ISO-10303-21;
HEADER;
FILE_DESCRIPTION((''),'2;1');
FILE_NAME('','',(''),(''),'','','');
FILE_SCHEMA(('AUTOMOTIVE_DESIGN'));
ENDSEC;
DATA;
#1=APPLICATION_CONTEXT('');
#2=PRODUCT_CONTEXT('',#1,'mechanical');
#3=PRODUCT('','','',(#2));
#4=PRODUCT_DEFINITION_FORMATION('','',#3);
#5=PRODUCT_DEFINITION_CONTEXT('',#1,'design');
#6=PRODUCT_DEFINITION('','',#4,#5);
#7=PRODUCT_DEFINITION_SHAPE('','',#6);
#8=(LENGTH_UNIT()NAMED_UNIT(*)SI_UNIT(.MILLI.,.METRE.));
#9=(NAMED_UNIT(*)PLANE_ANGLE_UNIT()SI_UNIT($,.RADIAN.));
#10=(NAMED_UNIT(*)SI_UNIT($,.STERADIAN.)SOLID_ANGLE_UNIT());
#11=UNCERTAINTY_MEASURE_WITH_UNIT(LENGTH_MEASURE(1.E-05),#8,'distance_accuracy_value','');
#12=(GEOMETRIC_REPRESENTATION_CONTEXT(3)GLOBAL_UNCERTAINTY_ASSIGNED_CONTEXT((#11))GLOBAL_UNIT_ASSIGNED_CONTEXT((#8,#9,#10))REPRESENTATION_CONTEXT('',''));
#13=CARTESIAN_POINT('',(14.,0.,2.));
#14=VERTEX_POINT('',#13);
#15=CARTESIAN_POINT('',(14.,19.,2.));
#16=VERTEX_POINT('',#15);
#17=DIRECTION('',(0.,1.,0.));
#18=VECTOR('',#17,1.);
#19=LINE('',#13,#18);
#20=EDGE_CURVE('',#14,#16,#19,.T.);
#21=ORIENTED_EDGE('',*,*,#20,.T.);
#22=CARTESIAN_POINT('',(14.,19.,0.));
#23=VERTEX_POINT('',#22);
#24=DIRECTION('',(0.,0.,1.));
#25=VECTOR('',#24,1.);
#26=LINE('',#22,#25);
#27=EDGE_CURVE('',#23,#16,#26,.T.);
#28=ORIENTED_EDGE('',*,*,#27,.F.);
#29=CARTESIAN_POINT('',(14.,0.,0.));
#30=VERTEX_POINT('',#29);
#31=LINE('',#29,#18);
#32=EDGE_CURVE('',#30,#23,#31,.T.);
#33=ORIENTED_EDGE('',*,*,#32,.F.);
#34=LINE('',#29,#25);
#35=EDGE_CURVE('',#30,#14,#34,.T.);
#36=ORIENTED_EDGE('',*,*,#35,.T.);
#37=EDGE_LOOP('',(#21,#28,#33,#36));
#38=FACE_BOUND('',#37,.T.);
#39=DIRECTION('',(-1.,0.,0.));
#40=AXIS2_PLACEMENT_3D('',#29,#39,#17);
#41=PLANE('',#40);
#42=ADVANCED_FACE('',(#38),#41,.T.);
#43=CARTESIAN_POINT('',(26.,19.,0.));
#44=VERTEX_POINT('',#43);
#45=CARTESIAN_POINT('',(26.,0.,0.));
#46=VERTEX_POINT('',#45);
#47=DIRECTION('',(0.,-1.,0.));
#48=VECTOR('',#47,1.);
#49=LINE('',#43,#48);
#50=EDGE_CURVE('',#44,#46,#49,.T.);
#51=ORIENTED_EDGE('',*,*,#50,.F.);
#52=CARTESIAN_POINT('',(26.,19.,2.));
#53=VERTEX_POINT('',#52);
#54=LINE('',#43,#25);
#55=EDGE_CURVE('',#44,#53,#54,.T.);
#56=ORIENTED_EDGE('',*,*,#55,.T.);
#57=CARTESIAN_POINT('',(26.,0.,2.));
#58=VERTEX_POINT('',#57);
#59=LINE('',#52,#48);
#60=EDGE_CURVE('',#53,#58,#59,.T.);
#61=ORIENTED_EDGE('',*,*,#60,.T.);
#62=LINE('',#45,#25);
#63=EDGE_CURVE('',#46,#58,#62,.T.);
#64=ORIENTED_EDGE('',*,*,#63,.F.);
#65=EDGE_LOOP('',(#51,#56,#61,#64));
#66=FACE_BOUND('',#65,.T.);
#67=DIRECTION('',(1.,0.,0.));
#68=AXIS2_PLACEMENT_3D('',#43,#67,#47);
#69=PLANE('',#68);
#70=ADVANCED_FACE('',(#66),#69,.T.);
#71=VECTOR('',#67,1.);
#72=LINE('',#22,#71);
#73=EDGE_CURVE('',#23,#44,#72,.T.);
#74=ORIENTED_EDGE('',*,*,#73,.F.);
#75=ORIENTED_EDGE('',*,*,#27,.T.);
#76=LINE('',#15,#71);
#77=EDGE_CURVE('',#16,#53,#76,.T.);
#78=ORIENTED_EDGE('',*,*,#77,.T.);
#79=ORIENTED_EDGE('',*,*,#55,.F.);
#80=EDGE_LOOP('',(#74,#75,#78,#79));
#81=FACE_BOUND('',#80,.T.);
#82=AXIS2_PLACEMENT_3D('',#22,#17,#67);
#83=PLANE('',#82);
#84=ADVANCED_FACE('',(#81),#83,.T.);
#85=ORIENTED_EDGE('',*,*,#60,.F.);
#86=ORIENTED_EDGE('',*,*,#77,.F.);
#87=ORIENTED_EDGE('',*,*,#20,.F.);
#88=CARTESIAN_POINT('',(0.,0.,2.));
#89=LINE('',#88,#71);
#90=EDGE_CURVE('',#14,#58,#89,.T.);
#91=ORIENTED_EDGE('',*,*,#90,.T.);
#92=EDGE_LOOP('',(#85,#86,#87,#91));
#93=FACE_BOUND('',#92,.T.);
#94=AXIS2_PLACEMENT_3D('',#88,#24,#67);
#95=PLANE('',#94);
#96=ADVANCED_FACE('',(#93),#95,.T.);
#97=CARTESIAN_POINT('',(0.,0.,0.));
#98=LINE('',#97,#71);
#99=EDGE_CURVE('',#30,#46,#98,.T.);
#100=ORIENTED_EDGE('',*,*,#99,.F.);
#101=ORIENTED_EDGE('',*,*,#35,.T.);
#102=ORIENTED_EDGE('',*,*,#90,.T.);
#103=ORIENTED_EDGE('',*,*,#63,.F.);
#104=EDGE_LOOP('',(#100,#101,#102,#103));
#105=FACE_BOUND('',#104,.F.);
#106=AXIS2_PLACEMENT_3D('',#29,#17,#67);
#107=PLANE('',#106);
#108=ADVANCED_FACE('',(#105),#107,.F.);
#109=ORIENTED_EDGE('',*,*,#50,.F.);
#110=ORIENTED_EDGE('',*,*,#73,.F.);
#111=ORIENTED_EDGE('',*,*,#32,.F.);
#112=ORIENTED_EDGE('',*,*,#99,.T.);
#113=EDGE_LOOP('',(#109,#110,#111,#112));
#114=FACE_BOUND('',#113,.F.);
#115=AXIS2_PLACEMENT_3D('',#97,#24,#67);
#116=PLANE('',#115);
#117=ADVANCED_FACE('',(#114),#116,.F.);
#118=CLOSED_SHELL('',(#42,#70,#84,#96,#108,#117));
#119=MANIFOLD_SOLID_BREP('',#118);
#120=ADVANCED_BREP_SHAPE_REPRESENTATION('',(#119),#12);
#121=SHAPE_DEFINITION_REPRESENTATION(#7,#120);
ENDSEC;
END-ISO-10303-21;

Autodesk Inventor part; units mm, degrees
ref_plane "YZ Plane" through (0, 0, 0) normal (1, 0, 0) x (0, 1, 0)
ref_plane "XZ Plane" through (0, 0, 0) normal (0, 1, 0) x (-1, 0, 0)
ref_plane "XY Plane" through (0, 0, 0) normal (0, 0, 1) x (1, 0, 0)
ref_plane "Arbeitsebene1" through (0, 0, 0) normal (0, 0, 1) x (1, 0, 0)
sketch "Skizze1" plane through (0, 0, 0) normal (0, 0, 1) x (1, 0, 0)
  line L0 (0, 0) -> (40, 0) projected
  line L1 (40, 0) -> (40, 42) projected
  line L2 (0, 42) -> (40, 42) projected
  line L3 (0, 0) -> (0, 42) projected
  line L4 (14, 19) -> (26, 19)
  line L5 (26, 19) -> (26, 0)
  line L6 (26, 0) -> (14, 0)
  line L7 (14, 0) -> (14, 19)
  line L8 (14, 19) -> (26, 0) construction
  line L9 (26, 19) -> (14, 0) construction
  point P0 (20, 9.5)
  dimension "d0" = 12
  dimension "d1" = 19
  dimension "d3" = 20
extrude "Extrusion1" add sketch "Skizze1" along normal blind 2 contours L7 L4 L5 L0
properties part number "03_LED"
